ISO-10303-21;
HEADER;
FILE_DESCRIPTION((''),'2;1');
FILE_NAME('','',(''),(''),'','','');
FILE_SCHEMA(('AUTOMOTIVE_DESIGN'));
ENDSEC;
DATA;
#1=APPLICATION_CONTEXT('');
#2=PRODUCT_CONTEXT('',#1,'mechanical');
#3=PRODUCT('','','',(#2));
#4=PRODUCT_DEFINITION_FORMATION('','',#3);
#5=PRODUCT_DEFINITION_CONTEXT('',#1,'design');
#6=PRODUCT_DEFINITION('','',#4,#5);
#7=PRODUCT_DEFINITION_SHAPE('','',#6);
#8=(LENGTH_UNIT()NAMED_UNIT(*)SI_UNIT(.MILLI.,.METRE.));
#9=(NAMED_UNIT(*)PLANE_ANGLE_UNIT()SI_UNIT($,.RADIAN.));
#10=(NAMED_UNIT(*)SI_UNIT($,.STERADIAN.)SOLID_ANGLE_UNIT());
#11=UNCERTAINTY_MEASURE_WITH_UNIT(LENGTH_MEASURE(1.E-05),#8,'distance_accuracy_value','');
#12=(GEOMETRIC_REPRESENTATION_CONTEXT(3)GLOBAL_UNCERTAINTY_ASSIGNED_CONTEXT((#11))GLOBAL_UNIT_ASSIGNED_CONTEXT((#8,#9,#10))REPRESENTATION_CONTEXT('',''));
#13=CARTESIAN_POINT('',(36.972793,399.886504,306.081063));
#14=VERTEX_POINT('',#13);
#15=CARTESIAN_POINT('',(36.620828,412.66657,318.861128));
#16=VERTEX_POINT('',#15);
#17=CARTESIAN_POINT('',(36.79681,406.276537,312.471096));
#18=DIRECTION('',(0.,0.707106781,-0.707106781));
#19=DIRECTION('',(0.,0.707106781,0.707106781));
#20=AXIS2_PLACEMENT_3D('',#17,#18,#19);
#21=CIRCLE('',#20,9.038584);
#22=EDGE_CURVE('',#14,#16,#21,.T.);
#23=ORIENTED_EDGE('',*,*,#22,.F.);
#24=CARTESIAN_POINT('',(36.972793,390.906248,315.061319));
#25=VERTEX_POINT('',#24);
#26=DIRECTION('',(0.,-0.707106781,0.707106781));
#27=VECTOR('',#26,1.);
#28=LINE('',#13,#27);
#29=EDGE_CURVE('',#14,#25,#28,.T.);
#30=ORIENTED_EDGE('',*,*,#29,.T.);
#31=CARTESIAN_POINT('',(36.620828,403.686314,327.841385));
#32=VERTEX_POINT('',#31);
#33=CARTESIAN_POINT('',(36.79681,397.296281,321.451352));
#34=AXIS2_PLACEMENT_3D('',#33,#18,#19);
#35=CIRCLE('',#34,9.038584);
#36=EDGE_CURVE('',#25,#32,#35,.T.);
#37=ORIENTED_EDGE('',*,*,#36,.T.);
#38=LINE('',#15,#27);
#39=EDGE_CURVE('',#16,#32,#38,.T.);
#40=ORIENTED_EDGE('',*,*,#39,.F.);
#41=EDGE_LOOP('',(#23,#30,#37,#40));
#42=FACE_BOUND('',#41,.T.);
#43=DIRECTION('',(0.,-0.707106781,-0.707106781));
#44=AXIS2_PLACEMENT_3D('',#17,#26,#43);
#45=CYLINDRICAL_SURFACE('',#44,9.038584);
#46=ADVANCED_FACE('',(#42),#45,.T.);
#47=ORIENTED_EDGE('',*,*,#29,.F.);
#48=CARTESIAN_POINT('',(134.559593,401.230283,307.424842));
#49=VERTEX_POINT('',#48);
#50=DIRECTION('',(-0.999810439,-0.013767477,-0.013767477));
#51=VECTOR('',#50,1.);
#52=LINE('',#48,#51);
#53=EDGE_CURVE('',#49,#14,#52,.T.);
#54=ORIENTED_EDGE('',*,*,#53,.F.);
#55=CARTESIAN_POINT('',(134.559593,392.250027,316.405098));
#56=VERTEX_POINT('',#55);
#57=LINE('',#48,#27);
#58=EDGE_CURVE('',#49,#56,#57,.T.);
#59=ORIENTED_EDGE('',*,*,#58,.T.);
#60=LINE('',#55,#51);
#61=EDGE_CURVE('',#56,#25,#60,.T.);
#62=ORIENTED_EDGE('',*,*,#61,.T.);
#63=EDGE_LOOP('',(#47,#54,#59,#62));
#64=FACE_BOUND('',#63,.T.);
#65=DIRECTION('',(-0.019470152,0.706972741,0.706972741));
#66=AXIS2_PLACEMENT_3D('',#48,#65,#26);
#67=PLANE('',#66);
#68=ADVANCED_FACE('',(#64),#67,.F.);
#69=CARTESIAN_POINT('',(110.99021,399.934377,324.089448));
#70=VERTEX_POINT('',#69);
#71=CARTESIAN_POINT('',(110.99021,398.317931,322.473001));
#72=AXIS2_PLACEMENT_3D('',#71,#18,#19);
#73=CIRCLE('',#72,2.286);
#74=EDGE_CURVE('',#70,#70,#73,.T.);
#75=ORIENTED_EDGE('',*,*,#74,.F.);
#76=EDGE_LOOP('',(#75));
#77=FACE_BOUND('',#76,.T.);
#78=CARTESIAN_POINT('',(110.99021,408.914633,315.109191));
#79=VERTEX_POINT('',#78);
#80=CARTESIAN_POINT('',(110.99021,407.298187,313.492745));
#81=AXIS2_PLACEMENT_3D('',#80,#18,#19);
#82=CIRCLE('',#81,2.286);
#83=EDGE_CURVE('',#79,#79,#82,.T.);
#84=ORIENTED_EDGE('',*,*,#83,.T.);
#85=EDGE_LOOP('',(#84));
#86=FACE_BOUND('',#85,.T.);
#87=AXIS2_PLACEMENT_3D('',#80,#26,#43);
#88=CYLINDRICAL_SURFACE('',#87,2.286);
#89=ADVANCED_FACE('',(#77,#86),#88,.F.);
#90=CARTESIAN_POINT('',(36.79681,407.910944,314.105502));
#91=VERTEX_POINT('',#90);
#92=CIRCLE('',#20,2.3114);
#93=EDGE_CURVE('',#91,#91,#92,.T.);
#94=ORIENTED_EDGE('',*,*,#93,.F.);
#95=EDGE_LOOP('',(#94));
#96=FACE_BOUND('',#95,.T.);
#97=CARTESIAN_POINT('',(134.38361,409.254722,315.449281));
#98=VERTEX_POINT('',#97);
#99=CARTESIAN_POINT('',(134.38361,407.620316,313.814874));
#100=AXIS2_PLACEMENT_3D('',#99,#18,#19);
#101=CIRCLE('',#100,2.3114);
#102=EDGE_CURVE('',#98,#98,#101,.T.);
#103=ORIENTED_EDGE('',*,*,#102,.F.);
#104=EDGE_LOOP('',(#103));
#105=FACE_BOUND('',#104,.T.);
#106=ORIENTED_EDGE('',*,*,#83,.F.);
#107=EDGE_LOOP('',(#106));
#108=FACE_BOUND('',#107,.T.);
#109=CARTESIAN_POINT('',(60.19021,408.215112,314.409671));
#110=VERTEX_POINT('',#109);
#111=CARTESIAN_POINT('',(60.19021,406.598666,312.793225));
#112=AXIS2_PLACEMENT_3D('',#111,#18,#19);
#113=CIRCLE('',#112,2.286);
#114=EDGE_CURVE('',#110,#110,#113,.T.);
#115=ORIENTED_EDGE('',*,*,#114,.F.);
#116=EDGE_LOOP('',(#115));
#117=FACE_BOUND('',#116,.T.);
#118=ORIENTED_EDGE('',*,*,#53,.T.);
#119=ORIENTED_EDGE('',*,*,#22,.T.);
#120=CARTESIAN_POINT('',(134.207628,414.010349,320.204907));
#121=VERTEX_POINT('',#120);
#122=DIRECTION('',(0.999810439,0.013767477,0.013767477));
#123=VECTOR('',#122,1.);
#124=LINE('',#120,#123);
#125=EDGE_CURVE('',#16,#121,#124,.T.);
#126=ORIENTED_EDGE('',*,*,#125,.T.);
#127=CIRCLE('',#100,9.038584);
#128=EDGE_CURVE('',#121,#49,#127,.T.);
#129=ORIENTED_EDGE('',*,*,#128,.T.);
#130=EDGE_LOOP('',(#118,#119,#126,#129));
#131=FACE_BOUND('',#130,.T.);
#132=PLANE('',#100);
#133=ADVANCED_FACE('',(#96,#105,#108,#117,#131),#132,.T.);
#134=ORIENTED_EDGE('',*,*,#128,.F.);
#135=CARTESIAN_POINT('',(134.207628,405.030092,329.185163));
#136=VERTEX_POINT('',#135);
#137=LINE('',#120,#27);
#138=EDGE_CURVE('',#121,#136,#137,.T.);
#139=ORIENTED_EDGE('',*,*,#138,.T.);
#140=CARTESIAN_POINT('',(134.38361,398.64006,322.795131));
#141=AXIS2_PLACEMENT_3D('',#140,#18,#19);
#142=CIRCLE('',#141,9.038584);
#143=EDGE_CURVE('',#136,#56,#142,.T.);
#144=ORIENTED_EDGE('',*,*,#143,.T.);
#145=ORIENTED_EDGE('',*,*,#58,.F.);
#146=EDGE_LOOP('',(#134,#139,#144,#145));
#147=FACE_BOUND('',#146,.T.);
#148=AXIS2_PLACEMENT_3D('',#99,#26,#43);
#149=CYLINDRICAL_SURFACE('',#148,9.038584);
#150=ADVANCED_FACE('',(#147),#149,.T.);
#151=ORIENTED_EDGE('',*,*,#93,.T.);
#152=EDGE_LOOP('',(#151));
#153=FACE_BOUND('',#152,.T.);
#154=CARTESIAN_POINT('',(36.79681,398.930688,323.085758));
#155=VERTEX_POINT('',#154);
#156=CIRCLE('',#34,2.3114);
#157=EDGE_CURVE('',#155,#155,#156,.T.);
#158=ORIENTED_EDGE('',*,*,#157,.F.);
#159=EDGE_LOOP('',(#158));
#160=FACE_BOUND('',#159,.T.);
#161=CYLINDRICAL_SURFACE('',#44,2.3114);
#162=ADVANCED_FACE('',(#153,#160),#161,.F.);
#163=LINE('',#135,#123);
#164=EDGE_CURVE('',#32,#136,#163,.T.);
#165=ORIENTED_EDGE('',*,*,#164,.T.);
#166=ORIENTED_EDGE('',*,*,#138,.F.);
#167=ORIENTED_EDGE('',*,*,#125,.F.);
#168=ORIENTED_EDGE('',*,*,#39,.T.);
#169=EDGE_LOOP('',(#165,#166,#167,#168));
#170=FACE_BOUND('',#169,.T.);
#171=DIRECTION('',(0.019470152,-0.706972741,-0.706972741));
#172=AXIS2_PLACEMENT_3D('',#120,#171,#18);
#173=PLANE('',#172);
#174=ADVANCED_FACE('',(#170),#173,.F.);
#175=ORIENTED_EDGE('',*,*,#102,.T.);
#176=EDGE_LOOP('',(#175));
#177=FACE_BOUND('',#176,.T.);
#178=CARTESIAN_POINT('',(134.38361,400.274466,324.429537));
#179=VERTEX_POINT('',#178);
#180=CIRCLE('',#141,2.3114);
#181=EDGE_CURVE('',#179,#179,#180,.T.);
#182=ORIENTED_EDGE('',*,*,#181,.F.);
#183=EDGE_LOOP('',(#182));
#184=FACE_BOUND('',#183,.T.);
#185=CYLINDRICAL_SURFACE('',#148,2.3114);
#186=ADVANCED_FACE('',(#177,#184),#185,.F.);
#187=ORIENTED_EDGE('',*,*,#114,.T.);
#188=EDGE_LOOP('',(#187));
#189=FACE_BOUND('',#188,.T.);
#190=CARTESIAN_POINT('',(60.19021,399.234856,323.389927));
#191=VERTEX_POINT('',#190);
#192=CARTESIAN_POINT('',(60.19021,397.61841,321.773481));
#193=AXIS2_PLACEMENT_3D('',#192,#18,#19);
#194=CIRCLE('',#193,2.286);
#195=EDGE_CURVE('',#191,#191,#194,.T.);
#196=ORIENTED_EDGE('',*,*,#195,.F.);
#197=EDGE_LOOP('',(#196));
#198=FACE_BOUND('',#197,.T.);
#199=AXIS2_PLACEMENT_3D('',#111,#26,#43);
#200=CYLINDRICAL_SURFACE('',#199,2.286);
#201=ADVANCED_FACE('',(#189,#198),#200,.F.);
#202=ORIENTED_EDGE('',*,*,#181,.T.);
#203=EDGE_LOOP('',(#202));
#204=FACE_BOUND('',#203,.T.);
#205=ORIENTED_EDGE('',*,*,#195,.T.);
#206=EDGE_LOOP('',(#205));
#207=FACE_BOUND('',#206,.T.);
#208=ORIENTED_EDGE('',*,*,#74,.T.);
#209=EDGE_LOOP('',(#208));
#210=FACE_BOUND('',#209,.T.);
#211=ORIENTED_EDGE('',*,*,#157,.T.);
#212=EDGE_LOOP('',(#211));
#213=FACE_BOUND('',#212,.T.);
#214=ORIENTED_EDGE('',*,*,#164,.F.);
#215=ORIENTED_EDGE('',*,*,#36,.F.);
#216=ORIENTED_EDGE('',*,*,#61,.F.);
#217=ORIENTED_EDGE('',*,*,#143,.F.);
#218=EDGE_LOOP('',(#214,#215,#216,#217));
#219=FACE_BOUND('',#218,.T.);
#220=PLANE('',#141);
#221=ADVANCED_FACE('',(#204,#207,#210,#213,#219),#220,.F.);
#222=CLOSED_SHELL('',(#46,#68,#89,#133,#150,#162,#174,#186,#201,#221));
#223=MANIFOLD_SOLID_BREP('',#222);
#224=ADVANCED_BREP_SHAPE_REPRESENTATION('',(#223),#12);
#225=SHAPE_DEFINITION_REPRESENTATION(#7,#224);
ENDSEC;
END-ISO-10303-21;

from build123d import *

# Parameters (mm, degrees)
SKETCH1_R           = 2.3114
SKETCH1_R_2         = 2.286
BOSS_EXTRUDE1_DEPTH = 12.7


with BuildPart() as part:
    # Sketch1 → Boss-Extrude1 (new body)
    with BuildSketch(Plane(origin=(0, 37.922464563, -37.922464563), x_dir=(-1, 0, 0), z_dir=(0, 0.707106781, -0.707106781))):
        with BuildLine():
            Line((-134.207627879, 519.168586126), (-36.620827879, 517.26819603))
            ThreePointArc((-36.620827879, 517.26819603), (-27.759939628, 508.055342556), (-36.972793102, 499.194454305))
            Line((-36.972793102, 499.194454305), (-134.559593102, 501.094844401))
            ThreePointArc((-134.559593102, 501.094844401), (-143.420481353, 510.307697875), (-134.207627879, 519.168586126))
        make_face()
        with Locations((-134.383610491, 510.131715264)):
            Circle(SKETCH1_R, mode=Mode.SUBTRACT)
        with Locations((-36.796810491, 508.231325167)):
            Circle(SKETCH1_R, mode=Mode.SUBTRACT)
        with Locations((-60.190210491, 508.686884584)):
            Circle(SKETCH1_R_2, mode=Mode.SUBTRACT)
        with Locations((-110.990210491, 509.676155847)):
            Circle(SKETCH1_R_2, mode=Mode.SUBTRACT)
    extrude(amount=BOSS_EXTRUDE1_DEPTH)


solid = part.part
